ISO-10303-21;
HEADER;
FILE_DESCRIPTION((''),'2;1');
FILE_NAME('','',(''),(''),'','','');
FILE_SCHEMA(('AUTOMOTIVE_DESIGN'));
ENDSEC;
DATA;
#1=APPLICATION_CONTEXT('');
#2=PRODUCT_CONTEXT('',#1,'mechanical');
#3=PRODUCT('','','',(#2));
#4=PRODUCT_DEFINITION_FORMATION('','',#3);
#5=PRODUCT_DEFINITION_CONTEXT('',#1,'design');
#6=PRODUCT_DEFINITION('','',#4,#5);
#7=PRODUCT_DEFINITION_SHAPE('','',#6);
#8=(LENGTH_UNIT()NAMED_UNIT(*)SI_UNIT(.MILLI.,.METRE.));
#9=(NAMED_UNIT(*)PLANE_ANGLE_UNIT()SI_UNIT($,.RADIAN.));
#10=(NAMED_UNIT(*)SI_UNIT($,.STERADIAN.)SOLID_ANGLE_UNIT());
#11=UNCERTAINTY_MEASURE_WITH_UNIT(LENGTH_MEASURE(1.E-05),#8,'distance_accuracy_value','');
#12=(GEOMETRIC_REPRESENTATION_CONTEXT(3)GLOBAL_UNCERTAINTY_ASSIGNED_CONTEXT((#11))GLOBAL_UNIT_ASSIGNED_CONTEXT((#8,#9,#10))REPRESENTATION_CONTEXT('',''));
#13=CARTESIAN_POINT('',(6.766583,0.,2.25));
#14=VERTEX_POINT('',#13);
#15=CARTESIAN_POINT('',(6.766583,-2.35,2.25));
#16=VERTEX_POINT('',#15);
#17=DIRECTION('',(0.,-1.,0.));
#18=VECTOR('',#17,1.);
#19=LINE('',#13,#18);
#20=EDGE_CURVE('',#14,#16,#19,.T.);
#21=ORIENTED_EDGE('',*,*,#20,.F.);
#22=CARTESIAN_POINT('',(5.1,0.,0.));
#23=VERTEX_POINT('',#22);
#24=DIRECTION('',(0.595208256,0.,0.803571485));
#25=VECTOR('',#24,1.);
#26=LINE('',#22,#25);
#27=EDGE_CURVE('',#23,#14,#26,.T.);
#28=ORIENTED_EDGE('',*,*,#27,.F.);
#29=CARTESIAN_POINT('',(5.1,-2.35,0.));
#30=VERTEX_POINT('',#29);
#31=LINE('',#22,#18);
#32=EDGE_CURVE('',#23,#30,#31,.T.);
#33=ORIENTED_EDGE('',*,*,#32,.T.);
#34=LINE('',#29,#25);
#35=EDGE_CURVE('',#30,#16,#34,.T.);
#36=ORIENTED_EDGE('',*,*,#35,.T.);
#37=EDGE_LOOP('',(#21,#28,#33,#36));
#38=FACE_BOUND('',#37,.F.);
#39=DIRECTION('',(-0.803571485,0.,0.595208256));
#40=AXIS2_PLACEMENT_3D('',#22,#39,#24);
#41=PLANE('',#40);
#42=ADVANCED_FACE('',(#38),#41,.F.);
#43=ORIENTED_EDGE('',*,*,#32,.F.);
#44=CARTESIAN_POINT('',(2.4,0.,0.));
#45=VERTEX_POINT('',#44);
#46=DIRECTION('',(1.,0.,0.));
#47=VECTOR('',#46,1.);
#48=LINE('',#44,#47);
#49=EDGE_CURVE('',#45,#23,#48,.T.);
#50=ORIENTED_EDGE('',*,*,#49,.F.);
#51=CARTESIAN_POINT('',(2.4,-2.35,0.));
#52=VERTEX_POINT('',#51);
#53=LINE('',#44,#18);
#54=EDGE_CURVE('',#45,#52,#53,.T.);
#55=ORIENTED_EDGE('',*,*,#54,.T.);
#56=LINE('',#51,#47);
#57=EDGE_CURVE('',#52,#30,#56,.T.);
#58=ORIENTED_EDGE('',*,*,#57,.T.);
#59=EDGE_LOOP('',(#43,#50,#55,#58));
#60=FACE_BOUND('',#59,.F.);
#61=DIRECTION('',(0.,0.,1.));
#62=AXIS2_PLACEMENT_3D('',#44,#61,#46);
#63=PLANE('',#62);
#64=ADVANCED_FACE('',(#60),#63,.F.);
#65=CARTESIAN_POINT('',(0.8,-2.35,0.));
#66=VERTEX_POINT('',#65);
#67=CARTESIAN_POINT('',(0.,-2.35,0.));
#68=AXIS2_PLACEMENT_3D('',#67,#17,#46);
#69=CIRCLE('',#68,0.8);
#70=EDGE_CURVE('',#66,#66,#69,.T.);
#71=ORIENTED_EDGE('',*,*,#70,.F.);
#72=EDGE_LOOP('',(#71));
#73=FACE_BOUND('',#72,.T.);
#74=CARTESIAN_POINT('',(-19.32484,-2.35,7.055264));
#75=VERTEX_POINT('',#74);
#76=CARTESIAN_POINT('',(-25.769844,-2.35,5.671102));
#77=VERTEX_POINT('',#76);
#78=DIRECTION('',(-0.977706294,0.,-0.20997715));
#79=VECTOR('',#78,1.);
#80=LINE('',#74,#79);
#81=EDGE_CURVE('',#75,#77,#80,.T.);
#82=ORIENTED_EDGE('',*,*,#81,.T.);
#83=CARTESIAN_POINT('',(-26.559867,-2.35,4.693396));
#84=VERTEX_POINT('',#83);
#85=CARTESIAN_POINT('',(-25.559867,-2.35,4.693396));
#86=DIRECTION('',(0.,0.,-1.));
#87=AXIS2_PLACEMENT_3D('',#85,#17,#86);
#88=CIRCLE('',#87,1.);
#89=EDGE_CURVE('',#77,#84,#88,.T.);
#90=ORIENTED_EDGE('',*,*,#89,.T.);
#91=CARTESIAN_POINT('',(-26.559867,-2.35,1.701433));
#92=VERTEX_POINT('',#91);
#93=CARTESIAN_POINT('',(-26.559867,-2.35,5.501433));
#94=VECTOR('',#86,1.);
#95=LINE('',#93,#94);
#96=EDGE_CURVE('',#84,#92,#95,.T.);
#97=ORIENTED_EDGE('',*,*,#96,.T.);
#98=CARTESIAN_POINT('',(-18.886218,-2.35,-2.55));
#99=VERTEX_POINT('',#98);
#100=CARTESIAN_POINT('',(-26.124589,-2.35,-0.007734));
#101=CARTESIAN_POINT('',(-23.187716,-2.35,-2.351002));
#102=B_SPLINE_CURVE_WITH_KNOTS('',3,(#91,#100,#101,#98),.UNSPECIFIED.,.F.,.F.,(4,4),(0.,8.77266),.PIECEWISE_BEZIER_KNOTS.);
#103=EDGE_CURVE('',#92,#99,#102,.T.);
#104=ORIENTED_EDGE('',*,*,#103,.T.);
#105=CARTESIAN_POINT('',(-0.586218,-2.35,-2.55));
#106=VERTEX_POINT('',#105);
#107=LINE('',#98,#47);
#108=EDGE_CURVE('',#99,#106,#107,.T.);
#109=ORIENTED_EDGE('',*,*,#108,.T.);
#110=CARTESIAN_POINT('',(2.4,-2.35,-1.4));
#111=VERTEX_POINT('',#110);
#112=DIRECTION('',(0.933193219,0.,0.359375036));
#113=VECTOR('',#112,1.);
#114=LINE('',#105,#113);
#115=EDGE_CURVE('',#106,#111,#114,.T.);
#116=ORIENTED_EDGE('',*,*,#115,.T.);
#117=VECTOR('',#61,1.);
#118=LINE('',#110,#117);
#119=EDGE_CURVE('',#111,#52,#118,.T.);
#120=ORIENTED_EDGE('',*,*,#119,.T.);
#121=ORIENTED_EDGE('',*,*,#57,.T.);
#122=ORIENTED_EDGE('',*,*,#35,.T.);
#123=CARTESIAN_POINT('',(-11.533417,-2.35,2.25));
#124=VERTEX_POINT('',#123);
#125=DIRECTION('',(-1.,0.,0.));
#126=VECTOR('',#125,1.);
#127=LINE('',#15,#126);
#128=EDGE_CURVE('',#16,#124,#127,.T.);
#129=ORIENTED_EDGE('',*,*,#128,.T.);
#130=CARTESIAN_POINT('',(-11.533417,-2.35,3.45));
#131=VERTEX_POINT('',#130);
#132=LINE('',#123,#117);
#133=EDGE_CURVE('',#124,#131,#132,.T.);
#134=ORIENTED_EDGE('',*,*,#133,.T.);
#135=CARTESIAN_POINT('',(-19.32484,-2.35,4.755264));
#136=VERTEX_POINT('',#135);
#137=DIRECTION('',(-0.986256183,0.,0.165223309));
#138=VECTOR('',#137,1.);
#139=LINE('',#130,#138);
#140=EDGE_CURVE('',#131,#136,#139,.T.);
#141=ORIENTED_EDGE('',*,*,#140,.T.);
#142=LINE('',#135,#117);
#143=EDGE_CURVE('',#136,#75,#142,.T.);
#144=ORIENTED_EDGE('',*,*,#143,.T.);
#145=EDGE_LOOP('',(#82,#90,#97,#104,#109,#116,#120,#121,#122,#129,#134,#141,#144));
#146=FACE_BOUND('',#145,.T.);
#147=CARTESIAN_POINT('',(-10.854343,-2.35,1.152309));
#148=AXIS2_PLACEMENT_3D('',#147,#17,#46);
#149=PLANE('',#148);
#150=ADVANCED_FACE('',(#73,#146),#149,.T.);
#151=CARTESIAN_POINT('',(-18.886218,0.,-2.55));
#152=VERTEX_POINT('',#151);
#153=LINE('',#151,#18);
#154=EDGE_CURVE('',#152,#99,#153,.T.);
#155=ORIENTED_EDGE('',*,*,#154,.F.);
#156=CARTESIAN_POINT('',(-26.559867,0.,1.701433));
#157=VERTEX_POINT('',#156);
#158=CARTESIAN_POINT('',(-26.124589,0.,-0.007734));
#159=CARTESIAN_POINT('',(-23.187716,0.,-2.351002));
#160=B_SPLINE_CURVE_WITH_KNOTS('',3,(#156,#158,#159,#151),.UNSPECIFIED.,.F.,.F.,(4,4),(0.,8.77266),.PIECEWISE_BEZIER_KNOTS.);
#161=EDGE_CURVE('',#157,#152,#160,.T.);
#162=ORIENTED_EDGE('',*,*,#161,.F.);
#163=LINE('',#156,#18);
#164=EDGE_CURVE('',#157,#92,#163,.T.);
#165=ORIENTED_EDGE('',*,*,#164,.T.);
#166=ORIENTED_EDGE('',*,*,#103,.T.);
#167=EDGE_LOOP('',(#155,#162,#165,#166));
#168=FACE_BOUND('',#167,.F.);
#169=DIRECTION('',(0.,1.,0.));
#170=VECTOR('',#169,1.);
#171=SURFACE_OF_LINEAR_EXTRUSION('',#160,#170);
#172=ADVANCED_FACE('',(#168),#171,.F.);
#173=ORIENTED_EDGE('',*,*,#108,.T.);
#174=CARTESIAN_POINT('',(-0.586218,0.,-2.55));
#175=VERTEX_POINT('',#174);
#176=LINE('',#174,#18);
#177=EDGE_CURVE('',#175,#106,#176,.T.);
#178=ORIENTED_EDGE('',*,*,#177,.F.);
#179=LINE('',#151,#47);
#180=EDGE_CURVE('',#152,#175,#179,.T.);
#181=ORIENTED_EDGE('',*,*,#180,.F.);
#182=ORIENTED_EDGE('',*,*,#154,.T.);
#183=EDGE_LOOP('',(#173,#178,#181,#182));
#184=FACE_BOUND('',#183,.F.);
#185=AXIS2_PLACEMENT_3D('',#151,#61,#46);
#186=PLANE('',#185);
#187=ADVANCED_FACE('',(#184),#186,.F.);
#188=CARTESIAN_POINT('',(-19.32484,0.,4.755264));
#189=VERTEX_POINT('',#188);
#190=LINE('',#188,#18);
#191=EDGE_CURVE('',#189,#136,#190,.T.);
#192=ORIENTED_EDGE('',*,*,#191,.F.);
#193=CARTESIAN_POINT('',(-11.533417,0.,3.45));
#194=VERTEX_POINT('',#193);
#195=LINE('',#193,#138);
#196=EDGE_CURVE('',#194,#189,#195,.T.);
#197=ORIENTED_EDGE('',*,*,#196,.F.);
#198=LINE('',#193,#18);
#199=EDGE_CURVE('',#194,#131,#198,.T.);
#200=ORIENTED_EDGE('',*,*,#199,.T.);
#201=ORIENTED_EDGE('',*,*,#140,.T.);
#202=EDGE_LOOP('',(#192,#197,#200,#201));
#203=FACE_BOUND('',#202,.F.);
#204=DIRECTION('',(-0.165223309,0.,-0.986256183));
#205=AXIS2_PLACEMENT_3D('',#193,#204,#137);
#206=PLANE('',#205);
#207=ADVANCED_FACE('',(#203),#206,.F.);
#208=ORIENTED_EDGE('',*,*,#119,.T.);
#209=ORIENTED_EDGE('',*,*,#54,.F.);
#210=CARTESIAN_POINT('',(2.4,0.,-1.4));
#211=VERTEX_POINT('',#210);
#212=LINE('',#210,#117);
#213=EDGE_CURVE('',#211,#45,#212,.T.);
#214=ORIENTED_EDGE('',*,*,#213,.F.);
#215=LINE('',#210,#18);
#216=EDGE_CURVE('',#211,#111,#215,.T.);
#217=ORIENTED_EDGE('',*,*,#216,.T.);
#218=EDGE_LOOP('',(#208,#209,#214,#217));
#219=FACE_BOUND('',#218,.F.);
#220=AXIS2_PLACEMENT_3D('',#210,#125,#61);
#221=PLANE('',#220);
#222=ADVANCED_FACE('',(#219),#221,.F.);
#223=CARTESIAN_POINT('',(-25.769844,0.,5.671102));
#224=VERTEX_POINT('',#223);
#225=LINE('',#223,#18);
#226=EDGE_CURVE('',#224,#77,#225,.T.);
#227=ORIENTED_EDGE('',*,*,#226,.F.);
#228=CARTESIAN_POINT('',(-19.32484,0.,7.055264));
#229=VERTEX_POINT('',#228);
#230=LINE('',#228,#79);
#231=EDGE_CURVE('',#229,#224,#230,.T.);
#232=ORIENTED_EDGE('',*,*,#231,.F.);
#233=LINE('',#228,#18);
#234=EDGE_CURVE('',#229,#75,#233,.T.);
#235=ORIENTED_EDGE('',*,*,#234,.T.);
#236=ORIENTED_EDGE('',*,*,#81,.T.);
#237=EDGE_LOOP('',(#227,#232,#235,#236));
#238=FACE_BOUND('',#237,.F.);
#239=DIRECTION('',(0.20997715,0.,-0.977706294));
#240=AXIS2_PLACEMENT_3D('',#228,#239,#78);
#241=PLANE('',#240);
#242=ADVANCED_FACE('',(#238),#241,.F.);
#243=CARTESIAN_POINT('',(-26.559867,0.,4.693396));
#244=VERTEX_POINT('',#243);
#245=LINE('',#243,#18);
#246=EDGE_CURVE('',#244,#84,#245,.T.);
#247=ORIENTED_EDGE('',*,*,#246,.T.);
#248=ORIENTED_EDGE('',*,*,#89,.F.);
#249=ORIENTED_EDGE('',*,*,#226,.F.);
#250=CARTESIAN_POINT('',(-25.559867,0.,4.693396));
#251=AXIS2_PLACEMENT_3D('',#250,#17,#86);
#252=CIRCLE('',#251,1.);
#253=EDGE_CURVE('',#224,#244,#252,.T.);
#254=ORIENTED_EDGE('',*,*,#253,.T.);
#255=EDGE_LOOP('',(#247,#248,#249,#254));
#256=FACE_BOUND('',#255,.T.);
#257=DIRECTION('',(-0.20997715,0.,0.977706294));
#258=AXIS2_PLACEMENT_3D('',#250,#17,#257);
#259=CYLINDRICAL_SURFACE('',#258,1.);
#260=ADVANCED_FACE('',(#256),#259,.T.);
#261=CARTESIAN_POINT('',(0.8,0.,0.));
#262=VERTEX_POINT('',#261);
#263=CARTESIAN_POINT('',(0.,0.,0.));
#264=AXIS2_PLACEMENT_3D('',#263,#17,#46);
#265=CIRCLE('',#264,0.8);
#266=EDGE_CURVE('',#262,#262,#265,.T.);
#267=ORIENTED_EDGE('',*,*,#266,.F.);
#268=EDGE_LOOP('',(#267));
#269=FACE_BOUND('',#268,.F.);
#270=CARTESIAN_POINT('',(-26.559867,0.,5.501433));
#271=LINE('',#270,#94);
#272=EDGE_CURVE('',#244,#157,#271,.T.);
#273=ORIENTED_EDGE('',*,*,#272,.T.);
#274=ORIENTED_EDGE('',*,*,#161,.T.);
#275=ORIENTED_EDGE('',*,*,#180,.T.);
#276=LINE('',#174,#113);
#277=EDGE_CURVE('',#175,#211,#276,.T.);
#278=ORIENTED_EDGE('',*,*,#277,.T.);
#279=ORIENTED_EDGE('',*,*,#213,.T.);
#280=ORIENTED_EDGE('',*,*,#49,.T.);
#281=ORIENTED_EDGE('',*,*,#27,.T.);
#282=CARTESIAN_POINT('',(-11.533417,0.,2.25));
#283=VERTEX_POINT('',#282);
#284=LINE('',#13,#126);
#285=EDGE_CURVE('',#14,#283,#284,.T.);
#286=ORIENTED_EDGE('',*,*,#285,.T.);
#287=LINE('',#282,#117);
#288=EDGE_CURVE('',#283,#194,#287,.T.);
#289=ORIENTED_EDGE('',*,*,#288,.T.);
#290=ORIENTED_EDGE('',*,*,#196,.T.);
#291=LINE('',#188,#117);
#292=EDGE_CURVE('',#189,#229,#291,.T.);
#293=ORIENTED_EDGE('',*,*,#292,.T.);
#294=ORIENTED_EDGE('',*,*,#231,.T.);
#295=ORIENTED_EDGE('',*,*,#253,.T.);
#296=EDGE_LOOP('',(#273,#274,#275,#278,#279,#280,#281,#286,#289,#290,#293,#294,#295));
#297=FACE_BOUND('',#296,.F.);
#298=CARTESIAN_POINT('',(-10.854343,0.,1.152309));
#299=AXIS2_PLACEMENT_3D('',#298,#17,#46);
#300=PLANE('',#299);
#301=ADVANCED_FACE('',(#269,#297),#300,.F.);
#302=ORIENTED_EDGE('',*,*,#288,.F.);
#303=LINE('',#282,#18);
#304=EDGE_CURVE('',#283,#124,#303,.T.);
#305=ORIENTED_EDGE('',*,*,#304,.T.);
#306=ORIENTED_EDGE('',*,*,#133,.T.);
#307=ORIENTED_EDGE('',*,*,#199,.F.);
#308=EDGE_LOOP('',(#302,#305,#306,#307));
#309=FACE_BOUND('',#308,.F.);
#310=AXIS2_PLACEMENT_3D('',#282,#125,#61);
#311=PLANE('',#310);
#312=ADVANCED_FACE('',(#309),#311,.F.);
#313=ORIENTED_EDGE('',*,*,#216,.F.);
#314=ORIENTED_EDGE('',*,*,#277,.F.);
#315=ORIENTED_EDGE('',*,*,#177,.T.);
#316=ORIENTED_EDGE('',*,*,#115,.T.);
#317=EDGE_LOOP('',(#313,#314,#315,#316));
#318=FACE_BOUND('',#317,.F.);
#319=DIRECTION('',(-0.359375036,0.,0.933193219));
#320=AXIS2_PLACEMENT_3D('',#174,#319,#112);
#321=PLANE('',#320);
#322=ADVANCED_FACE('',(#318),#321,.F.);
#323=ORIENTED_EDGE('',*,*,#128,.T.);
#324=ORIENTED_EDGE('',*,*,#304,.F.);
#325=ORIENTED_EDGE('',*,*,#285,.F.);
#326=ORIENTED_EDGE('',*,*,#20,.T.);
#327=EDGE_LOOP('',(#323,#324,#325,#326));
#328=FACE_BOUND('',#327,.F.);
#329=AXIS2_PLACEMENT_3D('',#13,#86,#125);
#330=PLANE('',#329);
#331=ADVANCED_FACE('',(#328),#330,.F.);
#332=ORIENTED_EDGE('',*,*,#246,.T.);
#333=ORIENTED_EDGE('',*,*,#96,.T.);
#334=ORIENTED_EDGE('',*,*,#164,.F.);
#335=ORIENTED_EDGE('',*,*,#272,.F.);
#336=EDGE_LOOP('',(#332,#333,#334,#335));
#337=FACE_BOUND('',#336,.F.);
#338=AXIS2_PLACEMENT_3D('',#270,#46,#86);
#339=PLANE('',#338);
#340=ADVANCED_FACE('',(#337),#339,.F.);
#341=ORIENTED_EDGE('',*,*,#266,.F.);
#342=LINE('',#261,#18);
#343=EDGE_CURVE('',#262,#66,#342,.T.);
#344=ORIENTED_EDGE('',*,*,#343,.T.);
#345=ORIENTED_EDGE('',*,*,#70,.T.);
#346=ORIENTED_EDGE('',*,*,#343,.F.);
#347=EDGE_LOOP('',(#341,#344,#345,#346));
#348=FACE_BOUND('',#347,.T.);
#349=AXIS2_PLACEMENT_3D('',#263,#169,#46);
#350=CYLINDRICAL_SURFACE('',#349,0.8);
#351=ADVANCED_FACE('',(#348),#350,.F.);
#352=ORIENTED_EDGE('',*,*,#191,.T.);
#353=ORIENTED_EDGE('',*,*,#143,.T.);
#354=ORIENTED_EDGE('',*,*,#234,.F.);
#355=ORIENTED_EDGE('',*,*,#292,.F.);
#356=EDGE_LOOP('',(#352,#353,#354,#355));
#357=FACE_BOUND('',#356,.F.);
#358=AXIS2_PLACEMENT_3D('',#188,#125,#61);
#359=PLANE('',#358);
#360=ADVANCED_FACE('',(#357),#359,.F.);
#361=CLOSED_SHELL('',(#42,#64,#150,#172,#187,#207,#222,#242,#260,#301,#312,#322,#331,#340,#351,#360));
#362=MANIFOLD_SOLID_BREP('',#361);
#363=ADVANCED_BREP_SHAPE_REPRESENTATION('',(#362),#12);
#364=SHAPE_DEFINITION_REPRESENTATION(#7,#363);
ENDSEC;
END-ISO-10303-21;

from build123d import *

# Parameters (mm, degrees)
F0_R     = 0.8
F1_DEPTH = 2.35
F2_R     = 1


with BuildPart() as f1:
    # F0 (on Front) → F1 (new body)
    with BuildSketch(Plane.XZ):
        with BuildLine():
            Line((6.766583, 2.25), (-11.533417, 2.25))
            Line((-11.533417, 2.25), (-11.533417, 3.45))
            Line((-11.533417, 3.45), (-19.32484, 4.755264))
            Line((-19.32484, 4.755264), (-19.32484, 7.055264))
            Line((-19.32484, 7.055264), (-26.559867, 5.501433))
            Line((-26.559867, 5.501433), (-26.559867, 1.701433))
            add(Edge.make_bspline(
                [(-26.559867, 1.701433), (-26.124589, -0.007734), (-23.187716, -2.351002), (-18.886218, -2.55)],
                knots=[0, 0, 0, 0, 8.77266, 8.77266, 8.77266, 8.77266], degree=3))
            Line((-18.886218, -2.55), (-0.586218, -2.55))
            Line((-0.586218, -2.55), (2.4, -1.4))
            Line((2.4, -1.4), (2.4, 0))
            Line((2.4, 0), (5.1, 0))
            Line((5.1, 0), (6.766583, 2.25))
        make_face()
        Circle(F0_R, mode=Mode.SUBTRACT)
    extrude(amount=F1_DEPTH)

    # F2
    f2_edges = [f1.edges().sort_by_distance(p)[0] for p in [
        (-26.559867, -1.175, 5.501433),
    ]]
    fillet(f2_edges, radius=F2_R)


solid = f1.part
